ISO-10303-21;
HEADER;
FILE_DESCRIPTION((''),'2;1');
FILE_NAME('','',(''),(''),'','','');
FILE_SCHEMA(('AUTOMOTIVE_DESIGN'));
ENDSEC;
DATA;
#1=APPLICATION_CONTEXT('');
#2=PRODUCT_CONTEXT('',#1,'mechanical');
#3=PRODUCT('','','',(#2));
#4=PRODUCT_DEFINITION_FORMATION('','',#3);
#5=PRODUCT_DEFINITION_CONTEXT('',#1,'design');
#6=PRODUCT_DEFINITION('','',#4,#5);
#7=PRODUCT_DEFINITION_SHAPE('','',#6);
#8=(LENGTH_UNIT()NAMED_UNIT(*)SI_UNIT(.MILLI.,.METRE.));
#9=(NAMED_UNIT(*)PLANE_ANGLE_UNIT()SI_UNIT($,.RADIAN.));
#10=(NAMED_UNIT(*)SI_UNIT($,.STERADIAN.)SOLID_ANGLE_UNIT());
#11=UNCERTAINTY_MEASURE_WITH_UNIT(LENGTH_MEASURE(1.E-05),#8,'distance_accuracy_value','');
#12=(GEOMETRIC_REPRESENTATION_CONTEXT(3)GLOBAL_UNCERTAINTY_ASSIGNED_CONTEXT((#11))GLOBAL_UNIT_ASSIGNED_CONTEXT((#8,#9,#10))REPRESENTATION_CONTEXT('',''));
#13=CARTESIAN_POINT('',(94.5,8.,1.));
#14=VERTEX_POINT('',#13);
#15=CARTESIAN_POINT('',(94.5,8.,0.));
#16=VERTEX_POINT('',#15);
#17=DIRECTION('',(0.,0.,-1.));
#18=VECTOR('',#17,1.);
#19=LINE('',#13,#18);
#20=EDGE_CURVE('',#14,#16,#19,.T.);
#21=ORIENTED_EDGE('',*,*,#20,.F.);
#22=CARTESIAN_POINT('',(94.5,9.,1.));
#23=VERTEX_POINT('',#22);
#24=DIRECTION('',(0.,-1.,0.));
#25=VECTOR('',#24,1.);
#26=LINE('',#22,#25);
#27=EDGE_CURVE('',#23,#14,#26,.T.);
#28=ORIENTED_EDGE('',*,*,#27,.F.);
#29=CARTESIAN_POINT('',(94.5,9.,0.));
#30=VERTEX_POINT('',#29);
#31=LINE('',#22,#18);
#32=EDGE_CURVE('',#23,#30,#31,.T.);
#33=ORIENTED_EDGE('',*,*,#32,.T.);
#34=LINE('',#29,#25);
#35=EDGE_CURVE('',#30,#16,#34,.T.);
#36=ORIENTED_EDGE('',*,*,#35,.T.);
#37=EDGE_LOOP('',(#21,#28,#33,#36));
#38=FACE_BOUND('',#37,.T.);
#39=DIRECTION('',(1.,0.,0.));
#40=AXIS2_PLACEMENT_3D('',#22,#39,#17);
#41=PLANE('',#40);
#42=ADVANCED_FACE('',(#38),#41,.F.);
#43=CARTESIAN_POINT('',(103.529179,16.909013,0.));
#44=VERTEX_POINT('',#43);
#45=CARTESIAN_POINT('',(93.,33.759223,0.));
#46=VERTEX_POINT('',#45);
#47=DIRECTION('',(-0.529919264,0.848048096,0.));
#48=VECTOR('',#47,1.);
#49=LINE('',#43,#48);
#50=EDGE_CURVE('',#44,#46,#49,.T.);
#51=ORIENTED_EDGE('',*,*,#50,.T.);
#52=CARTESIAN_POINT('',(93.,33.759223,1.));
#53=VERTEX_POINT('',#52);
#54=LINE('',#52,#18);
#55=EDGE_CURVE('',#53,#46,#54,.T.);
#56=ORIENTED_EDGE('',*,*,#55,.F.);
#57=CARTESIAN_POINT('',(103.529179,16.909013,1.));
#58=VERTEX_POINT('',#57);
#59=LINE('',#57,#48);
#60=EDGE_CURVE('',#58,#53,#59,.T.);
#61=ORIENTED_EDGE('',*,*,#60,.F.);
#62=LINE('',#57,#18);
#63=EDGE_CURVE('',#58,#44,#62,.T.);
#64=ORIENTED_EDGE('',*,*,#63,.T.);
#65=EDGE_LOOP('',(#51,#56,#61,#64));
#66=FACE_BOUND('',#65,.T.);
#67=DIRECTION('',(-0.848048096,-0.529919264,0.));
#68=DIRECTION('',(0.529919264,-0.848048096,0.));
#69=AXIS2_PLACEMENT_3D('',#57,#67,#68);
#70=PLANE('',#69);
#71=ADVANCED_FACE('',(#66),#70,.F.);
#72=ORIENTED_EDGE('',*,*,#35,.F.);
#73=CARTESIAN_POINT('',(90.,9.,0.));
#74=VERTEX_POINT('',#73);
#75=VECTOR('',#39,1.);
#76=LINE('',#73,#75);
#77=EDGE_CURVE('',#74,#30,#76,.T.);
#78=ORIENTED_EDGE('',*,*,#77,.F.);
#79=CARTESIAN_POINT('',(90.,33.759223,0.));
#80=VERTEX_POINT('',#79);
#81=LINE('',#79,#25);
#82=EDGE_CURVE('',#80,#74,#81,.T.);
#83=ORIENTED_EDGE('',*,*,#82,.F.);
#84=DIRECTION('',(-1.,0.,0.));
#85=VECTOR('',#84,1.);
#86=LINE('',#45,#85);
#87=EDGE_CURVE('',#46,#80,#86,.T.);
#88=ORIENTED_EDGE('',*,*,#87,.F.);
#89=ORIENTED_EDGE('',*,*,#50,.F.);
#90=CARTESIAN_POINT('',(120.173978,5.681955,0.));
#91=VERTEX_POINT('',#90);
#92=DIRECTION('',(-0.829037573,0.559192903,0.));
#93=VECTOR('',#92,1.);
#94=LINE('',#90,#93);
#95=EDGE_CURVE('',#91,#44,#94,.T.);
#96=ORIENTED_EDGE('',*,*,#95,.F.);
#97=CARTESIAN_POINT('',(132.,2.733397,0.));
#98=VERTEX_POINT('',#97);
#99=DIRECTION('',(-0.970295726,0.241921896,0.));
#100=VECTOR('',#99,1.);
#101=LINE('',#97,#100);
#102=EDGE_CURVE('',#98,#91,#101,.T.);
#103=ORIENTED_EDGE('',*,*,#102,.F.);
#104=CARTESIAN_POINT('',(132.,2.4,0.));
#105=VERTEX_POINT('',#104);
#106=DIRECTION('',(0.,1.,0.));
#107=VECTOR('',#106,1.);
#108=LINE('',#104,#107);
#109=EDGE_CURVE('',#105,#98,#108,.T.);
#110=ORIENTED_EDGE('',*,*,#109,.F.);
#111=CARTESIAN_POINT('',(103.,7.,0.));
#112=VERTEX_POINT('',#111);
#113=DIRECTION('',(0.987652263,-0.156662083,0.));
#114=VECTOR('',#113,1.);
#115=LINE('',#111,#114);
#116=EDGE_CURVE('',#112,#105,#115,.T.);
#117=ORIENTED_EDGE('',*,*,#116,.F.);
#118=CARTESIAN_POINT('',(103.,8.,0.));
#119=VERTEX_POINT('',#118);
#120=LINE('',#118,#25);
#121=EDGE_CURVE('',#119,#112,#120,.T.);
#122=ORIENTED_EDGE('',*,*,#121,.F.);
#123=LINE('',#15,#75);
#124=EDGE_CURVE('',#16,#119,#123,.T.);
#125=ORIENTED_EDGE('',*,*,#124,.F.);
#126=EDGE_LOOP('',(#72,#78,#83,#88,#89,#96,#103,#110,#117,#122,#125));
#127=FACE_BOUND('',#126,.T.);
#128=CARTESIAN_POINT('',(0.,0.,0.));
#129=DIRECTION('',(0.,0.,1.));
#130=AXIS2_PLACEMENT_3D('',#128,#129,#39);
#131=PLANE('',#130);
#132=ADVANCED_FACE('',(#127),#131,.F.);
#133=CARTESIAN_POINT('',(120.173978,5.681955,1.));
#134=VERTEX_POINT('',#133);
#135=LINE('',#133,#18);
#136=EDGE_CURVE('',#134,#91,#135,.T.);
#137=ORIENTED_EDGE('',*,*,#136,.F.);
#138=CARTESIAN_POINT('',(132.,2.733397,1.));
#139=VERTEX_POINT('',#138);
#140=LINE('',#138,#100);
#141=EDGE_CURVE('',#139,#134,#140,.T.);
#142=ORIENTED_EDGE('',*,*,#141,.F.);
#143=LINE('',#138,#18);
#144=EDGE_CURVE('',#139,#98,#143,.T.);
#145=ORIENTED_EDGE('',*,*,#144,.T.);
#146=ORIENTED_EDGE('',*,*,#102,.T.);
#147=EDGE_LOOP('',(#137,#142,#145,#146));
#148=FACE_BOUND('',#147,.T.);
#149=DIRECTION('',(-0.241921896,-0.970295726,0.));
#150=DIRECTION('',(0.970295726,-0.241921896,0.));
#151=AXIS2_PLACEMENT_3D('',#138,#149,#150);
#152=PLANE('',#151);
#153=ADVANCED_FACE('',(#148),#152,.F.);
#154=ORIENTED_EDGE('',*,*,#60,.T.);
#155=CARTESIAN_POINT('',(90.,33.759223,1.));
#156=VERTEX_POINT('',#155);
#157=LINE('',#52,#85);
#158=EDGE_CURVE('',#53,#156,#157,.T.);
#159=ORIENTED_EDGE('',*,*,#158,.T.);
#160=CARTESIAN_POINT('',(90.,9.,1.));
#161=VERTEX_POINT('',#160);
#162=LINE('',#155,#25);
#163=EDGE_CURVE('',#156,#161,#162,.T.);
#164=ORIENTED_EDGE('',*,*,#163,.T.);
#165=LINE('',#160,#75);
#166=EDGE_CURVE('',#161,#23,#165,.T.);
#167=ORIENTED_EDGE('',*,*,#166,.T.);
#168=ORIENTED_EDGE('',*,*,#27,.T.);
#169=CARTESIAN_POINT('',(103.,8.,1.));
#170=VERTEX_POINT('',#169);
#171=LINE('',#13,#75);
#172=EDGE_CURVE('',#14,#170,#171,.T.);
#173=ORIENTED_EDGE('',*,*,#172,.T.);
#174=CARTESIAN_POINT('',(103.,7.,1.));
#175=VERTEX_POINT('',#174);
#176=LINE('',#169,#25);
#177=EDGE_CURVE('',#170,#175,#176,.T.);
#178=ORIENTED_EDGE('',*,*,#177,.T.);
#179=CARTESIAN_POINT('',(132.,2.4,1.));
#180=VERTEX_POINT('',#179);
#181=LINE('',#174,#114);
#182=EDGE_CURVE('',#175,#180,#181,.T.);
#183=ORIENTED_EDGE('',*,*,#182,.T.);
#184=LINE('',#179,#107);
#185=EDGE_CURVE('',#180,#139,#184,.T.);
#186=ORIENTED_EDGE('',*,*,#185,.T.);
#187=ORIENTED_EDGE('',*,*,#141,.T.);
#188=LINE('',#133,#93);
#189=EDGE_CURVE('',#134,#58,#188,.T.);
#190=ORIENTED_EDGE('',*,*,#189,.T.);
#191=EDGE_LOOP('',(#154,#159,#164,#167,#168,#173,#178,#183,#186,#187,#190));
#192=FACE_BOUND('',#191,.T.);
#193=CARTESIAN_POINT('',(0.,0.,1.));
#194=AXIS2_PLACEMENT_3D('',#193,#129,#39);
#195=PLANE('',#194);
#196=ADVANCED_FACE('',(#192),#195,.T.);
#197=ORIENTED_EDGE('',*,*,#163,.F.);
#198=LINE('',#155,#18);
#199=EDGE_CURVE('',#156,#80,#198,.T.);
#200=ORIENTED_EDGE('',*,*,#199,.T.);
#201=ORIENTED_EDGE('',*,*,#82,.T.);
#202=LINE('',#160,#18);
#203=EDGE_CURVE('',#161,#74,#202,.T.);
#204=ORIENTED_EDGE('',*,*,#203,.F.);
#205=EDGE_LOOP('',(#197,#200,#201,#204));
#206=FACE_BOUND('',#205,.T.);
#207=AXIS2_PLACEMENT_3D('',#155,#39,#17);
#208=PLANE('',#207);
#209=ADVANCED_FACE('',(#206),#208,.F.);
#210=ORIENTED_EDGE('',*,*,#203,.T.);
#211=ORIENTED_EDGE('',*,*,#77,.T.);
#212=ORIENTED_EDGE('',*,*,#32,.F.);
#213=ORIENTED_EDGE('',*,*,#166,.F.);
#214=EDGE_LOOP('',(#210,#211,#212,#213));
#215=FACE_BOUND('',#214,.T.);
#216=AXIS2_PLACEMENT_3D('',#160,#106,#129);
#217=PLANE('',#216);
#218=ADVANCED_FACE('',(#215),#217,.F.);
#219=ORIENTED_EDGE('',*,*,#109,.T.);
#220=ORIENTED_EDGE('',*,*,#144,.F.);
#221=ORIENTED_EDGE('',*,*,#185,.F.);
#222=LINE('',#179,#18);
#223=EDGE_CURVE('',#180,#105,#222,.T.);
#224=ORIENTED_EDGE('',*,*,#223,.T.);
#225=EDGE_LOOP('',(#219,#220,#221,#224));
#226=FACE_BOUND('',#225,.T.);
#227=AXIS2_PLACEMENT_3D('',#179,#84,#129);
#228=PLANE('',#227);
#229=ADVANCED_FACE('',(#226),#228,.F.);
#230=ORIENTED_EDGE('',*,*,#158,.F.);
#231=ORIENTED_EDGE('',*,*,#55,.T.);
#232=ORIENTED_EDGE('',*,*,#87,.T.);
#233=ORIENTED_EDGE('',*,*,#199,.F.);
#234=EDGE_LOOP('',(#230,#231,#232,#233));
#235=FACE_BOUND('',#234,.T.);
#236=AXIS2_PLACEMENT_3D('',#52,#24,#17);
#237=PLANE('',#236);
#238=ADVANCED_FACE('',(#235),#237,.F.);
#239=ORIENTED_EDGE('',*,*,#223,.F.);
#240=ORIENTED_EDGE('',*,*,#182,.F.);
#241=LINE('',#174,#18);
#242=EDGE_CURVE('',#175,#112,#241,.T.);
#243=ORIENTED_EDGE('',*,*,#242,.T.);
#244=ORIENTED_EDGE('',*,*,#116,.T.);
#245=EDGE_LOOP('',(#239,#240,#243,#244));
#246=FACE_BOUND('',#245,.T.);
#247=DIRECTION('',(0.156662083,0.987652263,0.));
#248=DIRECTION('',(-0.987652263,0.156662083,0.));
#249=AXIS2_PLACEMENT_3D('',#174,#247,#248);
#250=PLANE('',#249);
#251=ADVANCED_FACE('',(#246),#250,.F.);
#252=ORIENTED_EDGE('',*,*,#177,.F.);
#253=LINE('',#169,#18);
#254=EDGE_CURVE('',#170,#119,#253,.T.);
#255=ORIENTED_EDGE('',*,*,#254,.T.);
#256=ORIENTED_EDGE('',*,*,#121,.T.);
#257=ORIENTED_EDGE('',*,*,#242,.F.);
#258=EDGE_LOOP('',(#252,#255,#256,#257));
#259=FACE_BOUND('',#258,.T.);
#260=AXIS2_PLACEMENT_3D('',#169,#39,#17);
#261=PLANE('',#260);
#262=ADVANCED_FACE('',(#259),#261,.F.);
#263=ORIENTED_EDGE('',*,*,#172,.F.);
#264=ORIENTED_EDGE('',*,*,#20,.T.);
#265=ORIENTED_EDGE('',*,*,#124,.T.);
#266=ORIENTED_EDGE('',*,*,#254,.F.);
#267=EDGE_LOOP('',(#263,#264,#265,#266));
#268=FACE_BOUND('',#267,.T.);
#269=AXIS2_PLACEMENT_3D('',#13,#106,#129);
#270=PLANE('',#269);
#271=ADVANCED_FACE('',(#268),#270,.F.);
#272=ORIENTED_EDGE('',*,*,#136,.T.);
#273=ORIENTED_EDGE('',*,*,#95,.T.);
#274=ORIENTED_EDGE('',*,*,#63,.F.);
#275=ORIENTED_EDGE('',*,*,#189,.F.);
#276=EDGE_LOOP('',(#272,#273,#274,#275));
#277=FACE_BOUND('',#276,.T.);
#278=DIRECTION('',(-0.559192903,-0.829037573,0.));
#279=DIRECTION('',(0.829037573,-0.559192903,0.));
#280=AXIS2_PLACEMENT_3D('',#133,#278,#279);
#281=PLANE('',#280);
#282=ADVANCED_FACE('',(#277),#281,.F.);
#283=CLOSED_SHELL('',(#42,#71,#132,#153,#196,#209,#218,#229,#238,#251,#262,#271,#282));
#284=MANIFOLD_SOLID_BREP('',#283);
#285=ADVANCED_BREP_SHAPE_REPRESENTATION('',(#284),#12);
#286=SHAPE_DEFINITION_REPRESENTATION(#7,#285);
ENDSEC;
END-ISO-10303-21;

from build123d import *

# Parameters (mm, degrees)
FIVE_POINT_NOSE_SUPPORT_WEB_DEPTH = 1


with BuildPart() as part:
    # Five-point nose support web profile → Five-point nose support web (new body)
    with BuildSketch(Plane.XY):
        Polygon((94.5, 8), (103, 8), (103, 7), (132, 2.4), (132, 2.733396764), (120.173977577, 5.681955316), (103.529179441, 16.90901342), (93, 33.759222842), (90, 33.759222842), (90, 9), (94.5, 9), align=None)
    extrude(amount=FIVE_POINT_NOSE_SUPPORT_WEB_DEPTH)


solid = part.part
